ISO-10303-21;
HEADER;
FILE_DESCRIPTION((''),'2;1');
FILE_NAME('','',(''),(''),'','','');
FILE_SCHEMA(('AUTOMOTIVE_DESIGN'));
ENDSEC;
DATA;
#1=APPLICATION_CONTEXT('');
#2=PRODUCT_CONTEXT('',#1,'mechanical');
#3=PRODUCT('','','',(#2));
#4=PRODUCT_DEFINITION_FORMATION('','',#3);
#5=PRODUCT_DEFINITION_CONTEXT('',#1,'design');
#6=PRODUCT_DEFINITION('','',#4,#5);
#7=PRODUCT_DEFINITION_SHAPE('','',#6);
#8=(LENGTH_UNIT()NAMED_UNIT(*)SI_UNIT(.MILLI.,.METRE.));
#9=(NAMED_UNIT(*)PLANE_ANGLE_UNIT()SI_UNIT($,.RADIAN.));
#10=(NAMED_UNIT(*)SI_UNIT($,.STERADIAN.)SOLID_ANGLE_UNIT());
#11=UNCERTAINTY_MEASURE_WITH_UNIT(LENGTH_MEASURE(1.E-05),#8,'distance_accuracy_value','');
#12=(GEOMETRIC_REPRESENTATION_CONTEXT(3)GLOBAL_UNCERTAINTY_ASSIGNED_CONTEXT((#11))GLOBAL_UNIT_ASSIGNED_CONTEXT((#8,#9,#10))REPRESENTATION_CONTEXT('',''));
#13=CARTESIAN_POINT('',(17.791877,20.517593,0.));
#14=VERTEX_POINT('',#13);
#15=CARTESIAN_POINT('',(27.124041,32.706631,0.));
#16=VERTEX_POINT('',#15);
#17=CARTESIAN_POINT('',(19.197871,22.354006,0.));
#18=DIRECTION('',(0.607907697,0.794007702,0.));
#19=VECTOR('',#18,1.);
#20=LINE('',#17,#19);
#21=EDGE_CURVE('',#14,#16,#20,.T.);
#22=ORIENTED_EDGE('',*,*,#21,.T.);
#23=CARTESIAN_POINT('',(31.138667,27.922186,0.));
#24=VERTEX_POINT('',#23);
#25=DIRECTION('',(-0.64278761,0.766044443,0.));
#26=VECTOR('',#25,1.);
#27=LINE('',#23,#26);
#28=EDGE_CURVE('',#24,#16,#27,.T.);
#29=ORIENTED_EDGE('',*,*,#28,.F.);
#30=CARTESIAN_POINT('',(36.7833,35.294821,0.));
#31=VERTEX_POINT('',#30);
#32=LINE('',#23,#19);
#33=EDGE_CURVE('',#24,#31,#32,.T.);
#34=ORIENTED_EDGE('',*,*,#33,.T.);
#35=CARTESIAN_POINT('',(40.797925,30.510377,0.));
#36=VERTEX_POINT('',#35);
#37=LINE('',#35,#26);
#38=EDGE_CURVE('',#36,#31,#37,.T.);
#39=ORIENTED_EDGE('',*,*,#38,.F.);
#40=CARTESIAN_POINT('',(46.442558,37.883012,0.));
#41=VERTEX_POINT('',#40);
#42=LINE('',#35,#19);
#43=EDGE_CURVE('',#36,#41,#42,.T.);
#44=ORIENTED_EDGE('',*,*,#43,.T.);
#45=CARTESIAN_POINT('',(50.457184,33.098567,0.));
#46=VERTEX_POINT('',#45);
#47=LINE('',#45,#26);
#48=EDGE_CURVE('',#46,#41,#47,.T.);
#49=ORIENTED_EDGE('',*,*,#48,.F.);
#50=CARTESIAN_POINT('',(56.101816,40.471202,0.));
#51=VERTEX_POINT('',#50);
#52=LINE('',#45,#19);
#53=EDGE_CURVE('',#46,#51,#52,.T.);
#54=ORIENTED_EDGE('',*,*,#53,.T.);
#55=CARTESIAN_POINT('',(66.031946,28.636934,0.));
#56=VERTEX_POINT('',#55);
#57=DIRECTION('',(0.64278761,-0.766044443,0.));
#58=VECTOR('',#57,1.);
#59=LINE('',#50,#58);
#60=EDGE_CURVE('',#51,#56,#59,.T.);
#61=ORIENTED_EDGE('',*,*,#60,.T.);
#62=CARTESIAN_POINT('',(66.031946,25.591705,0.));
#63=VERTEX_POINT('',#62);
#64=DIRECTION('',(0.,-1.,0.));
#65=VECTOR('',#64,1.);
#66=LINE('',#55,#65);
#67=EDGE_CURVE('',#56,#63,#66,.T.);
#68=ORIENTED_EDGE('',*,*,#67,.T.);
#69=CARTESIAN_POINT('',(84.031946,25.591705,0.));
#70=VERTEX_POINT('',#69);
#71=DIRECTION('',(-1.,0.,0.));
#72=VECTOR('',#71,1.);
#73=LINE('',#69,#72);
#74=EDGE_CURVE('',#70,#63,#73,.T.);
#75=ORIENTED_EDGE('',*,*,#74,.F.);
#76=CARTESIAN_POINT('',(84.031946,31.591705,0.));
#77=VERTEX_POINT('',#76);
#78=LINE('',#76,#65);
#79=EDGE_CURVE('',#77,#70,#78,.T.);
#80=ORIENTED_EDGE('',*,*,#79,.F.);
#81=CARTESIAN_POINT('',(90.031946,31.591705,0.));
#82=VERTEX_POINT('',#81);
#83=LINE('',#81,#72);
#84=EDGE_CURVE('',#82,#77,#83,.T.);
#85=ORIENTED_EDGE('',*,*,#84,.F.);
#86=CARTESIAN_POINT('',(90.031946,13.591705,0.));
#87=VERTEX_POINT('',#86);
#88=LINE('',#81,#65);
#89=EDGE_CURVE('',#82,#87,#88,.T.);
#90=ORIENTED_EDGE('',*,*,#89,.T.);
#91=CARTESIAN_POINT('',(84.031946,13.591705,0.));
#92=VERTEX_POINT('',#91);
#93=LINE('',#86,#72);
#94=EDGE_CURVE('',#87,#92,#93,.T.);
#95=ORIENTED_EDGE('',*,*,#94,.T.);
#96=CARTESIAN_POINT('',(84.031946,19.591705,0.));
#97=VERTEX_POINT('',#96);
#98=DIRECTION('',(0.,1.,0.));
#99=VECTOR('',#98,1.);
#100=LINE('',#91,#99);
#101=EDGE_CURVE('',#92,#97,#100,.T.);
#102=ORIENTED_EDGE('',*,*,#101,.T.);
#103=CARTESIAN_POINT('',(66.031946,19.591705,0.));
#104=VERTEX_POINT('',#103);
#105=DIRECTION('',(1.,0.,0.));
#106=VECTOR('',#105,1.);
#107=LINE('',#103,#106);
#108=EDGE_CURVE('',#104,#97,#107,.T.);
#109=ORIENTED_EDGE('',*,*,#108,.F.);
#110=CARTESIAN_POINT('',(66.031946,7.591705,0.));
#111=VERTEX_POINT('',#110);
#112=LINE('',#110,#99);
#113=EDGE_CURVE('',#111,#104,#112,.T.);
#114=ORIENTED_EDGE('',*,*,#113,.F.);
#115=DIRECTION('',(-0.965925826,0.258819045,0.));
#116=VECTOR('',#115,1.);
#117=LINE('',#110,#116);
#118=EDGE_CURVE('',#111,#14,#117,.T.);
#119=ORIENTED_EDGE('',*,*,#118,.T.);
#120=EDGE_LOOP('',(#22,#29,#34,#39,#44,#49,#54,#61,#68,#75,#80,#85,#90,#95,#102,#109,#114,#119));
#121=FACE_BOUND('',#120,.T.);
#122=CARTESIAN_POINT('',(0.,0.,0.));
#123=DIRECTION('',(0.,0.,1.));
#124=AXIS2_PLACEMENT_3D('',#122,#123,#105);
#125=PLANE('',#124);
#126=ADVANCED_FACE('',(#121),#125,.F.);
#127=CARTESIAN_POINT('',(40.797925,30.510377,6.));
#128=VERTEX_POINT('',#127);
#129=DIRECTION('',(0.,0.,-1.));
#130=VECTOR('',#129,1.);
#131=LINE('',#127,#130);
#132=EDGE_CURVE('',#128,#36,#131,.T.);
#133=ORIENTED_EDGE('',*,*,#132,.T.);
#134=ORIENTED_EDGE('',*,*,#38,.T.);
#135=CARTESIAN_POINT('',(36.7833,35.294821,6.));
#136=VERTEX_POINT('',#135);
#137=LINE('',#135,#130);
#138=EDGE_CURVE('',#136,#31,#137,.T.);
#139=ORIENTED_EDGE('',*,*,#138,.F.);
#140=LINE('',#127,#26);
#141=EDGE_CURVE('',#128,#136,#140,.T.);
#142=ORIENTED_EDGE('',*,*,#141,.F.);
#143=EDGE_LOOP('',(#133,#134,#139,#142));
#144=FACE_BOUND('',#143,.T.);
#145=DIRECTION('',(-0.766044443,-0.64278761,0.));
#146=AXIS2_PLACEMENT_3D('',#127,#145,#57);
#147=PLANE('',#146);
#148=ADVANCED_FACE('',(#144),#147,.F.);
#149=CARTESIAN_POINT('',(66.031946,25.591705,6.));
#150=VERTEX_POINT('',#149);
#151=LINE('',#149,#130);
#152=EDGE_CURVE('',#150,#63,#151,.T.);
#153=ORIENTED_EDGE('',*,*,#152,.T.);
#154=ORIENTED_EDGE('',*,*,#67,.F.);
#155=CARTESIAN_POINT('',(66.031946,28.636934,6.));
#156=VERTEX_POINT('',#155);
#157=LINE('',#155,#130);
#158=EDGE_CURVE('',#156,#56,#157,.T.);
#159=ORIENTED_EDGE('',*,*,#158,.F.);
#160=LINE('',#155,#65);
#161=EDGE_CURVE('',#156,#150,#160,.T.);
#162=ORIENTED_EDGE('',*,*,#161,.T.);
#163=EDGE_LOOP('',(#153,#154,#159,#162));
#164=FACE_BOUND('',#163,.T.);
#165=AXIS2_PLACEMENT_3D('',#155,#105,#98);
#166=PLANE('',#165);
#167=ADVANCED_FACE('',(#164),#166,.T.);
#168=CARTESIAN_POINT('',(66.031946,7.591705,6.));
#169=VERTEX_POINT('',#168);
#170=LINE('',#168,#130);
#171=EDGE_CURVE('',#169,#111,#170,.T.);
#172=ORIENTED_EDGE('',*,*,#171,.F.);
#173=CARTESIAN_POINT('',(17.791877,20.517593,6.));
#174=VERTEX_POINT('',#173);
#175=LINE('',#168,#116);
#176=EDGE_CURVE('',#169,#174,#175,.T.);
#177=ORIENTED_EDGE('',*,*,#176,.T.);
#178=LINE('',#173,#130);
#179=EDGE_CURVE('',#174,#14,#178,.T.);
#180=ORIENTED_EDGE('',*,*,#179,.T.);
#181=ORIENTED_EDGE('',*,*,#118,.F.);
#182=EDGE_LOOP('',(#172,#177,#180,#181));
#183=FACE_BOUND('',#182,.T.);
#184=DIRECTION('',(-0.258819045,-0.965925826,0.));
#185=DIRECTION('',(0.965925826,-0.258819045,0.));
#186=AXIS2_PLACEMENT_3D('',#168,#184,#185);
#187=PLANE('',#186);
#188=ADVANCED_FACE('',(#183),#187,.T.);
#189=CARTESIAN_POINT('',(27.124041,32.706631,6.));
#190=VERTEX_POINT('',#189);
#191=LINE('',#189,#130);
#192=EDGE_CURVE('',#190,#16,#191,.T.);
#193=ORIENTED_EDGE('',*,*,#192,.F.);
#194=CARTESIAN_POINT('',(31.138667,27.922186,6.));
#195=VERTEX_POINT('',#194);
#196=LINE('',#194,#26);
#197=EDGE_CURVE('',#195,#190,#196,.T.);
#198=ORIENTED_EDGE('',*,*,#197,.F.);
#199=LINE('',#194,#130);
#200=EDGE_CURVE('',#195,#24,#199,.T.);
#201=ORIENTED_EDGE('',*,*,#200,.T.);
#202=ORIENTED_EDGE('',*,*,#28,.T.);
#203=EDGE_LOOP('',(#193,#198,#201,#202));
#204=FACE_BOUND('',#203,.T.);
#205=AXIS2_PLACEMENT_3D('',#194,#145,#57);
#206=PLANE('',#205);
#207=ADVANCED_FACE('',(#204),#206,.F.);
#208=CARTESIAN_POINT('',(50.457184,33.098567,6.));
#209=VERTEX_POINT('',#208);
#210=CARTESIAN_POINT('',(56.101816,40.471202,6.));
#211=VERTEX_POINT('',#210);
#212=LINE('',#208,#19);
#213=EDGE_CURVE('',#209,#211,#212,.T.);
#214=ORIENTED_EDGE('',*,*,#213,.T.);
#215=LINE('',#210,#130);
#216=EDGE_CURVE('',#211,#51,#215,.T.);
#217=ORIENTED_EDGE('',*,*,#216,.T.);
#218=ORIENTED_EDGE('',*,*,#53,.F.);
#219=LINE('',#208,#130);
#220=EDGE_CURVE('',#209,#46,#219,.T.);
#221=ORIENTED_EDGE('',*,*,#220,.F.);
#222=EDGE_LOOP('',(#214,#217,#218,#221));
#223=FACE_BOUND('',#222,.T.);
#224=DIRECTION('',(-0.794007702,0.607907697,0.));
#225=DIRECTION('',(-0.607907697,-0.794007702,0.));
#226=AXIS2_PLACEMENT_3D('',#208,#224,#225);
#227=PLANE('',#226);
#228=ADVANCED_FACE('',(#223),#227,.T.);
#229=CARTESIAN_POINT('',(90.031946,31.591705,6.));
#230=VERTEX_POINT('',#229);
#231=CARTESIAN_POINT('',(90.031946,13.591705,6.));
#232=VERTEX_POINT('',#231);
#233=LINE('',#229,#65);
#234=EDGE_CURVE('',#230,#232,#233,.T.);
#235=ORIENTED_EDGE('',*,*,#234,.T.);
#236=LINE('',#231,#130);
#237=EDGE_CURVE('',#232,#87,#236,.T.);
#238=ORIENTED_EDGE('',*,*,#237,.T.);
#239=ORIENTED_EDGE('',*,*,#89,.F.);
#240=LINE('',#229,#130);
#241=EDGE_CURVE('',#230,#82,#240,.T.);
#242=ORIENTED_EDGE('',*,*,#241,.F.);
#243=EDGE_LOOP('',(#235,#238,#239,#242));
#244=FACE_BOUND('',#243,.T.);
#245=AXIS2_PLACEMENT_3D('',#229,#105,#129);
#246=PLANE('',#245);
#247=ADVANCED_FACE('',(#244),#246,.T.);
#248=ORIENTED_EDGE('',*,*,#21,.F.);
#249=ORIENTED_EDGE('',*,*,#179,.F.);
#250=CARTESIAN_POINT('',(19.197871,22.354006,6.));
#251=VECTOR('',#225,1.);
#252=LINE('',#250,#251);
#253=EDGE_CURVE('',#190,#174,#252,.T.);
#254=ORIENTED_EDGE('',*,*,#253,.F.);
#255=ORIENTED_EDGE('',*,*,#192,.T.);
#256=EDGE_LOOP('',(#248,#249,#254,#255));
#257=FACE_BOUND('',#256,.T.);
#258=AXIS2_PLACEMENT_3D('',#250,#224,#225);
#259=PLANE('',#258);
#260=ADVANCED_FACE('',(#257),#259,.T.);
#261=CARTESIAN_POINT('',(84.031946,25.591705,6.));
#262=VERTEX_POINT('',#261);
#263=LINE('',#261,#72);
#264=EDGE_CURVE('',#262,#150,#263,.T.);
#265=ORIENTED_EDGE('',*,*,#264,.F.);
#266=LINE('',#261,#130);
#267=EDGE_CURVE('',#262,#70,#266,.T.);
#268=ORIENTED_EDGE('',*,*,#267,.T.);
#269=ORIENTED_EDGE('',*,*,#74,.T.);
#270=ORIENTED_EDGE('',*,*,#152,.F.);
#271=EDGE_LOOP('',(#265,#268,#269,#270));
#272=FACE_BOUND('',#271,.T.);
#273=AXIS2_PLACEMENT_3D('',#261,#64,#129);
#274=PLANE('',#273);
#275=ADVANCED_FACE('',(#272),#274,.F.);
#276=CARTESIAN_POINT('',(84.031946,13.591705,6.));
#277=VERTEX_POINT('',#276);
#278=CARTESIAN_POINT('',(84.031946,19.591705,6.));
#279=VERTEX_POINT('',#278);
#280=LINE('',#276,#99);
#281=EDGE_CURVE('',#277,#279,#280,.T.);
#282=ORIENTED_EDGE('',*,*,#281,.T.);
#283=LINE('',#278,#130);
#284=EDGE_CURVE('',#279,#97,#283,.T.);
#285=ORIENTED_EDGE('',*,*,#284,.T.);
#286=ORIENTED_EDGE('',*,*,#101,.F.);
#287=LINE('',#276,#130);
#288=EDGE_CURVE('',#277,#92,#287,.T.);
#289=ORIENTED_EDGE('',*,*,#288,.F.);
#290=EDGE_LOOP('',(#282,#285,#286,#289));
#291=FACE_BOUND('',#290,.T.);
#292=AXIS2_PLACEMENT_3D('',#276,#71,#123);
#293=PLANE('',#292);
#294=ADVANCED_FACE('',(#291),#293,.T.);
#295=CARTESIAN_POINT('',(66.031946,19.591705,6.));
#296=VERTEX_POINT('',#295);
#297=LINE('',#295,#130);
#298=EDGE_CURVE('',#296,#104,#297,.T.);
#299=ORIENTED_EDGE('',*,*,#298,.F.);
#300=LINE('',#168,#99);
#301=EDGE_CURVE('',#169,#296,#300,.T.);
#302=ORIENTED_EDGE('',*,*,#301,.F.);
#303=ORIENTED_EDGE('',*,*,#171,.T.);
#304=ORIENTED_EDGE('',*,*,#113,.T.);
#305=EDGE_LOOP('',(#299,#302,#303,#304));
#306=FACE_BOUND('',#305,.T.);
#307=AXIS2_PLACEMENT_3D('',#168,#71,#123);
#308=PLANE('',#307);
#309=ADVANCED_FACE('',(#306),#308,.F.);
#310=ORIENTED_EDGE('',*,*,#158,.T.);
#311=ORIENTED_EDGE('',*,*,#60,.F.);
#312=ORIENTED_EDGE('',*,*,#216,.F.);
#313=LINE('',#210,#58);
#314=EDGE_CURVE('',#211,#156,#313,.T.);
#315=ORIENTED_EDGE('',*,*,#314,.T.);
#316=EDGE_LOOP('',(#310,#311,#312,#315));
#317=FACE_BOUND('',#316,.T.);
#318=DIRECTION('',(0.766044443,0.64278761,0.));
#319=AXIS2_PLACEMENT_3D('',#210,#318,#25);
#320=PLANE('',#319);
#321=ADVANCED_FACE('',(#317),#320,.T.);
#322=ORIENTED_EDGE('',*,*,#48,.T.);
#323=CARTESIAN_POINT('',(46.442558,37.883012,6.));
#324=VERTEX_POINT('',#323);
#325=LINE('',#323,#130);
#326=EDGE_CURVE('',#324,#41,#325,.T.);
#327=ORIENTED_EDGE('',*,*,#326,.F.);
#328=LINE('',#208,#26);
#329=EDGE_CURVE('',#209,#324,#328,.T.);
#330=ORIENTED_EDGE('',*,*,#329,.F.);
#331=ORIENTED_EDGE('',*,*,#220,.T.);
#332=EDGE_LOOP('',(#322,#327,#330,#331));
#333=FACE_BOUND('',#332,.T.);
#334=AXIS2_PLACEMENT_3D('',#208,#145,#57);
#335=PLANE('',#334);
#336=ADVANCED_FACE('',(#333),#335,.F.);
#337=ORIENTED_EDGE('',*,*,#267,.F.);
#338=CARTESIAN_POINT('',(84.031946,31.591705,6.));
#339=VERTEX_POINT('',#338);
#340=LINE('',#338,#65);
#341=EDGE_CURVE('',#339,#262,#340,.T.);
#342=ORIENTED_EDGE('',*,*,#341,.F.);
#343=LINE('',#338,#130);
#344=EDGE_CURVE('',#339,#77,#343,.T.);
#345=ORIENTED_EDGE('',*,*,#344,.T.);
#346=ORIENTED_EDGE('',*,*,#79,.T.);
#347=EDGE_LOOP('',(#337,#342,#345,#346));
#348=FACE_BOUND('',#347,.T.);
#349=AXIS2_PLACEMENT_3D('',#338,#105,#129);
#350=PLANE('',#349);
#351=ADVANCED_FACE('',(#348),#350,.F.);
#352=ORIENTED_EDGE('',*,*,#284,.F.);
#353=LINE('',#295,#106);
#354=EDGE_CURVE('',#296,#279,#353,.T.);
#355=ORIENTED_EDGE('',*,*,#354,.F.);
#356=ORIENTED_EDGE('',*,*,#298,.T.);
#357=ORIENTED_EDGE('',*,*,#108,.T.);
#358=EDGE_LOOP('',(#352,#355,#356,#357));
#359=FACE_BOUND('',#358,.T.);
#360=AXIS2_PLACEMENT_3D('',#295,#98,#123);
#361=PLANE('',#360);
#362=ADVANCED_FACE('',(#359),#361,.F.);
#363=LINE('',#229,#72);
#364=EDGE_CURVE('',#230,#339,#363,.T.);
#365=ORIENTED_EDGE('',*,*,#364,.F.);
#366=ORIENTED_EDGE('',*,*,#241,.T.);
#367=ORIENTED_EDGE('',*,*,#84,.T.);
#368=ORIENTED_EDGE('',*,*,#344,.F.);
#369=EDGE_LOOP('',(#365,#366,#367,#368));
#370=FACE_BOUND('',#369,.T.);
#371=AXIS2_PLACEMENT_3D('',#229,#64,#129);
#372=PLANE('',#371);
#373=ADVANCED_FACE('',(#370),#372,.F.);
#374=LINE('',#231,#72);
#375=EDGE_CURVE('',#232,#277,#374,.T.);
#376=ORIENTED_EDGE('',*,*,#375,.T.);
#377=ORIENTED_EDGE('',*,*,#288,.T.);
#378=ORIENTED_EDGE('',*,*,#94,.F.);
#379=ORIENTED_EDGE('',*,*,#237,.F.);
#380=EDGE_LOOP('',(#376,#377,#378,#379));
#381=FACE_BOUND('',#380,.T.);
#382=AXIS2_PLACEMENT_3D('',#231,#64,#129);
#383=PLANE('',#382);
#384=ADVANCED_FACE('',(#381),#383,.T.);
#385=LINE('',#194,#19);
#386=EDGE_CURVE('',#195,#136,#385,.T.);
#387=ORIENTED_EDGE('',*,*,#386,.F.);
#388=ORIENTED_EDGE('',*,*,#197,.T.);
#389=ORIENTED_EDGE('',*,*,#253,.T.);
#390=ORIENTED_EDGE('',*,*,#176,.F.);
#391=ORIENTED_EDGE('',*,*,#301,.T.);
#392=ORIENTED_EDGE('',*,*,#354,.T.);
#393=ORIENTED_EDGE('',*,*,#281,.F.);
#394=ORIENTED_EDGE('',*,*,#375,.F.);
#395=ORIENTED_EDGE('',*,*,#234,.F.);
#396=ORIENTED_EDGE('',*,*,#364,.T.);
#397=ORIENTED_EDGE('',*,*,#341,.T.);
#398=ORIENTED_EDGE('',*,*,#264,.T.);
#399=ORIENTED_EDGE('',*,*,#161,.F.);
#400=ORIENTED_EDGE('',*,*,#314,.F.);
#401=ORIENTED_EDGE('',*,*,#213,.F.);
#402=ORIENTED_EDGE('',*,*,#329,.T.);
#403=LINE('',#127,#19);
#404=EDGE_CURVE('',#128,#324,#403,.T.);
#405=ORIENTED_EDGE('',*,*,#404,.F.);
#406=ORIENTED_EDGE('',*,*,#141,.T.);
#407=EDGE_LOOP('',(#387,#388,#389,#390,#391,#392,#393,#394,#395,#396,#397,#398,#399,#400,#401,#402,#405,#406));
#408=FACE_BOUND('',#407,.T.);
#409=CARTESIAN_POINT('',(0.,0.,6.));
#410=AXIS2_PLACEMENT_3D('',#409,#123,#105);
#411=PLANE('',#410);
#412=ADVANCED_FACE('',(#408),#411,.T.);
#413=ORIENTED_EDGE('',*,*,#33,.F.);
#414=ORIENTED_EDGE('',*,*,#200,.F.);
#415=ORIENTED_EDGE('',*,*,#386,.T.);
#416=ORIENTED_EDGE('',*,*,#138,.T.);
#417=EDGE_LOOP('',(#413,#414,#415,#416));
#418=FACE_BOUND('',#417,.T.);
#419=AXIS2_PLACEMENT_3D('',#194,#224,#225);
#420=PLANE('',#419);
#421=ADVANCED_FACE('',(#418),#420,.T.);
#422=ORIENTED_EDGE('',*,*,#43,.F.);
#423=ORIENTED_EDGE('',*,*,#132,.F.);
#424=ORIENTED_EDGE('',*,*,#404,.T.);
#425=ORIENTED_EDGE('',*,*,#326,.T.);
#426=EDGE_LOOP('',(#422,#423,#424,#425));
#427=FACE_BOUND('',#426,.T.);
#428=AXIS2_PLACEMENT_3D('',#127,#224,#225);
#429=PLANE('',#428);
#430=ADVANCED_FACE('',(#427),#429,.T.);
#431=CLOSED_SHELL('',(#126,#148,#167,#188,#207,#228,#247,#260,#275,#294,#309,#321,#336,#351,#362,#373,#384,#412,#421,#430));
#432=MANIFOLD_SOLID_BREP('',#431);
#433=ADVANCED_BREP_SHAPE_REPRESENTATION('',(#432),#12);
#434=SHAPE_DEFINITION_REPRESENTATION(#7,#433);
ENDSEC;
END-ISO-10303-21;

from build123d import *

# Parameters (mm, degrees)
BOSS_EXTRUDE1_DEPTH = 6


with BuildPart() as part:
    # Model → Boss-Extrude1 (new body)
    with BuildSketch(Plane.XY):
        Polygon((50.457183662, 33.098566994), (56.101816137, 40.471202151), (66.031945882, 28.636934351), (66.031945882, 25.591705494), (84.031945882, 25.591705494), (84.031945882, 31.591705494), (90.031945882, 31.591705494), (90.031945882, 13.591705494), (84.031945882, 13.591705494), (84.031945882, 19.591705494), (66.031945882, 19.591705494), (66.031945882, 7.591705494), (17.791877488, 20.517592863), (19.197870672, 22.354005565), (27.124041348, 32.706630797), (31.138667136, 27.922186092), (36.783299611, 35.294821248), (40.797925399, 30.510376543), (46.442557874, 37.883011699), align=None)
    extrude(amount=BOSS_EXTRUDE1_DEPTH)


solid = part.part
